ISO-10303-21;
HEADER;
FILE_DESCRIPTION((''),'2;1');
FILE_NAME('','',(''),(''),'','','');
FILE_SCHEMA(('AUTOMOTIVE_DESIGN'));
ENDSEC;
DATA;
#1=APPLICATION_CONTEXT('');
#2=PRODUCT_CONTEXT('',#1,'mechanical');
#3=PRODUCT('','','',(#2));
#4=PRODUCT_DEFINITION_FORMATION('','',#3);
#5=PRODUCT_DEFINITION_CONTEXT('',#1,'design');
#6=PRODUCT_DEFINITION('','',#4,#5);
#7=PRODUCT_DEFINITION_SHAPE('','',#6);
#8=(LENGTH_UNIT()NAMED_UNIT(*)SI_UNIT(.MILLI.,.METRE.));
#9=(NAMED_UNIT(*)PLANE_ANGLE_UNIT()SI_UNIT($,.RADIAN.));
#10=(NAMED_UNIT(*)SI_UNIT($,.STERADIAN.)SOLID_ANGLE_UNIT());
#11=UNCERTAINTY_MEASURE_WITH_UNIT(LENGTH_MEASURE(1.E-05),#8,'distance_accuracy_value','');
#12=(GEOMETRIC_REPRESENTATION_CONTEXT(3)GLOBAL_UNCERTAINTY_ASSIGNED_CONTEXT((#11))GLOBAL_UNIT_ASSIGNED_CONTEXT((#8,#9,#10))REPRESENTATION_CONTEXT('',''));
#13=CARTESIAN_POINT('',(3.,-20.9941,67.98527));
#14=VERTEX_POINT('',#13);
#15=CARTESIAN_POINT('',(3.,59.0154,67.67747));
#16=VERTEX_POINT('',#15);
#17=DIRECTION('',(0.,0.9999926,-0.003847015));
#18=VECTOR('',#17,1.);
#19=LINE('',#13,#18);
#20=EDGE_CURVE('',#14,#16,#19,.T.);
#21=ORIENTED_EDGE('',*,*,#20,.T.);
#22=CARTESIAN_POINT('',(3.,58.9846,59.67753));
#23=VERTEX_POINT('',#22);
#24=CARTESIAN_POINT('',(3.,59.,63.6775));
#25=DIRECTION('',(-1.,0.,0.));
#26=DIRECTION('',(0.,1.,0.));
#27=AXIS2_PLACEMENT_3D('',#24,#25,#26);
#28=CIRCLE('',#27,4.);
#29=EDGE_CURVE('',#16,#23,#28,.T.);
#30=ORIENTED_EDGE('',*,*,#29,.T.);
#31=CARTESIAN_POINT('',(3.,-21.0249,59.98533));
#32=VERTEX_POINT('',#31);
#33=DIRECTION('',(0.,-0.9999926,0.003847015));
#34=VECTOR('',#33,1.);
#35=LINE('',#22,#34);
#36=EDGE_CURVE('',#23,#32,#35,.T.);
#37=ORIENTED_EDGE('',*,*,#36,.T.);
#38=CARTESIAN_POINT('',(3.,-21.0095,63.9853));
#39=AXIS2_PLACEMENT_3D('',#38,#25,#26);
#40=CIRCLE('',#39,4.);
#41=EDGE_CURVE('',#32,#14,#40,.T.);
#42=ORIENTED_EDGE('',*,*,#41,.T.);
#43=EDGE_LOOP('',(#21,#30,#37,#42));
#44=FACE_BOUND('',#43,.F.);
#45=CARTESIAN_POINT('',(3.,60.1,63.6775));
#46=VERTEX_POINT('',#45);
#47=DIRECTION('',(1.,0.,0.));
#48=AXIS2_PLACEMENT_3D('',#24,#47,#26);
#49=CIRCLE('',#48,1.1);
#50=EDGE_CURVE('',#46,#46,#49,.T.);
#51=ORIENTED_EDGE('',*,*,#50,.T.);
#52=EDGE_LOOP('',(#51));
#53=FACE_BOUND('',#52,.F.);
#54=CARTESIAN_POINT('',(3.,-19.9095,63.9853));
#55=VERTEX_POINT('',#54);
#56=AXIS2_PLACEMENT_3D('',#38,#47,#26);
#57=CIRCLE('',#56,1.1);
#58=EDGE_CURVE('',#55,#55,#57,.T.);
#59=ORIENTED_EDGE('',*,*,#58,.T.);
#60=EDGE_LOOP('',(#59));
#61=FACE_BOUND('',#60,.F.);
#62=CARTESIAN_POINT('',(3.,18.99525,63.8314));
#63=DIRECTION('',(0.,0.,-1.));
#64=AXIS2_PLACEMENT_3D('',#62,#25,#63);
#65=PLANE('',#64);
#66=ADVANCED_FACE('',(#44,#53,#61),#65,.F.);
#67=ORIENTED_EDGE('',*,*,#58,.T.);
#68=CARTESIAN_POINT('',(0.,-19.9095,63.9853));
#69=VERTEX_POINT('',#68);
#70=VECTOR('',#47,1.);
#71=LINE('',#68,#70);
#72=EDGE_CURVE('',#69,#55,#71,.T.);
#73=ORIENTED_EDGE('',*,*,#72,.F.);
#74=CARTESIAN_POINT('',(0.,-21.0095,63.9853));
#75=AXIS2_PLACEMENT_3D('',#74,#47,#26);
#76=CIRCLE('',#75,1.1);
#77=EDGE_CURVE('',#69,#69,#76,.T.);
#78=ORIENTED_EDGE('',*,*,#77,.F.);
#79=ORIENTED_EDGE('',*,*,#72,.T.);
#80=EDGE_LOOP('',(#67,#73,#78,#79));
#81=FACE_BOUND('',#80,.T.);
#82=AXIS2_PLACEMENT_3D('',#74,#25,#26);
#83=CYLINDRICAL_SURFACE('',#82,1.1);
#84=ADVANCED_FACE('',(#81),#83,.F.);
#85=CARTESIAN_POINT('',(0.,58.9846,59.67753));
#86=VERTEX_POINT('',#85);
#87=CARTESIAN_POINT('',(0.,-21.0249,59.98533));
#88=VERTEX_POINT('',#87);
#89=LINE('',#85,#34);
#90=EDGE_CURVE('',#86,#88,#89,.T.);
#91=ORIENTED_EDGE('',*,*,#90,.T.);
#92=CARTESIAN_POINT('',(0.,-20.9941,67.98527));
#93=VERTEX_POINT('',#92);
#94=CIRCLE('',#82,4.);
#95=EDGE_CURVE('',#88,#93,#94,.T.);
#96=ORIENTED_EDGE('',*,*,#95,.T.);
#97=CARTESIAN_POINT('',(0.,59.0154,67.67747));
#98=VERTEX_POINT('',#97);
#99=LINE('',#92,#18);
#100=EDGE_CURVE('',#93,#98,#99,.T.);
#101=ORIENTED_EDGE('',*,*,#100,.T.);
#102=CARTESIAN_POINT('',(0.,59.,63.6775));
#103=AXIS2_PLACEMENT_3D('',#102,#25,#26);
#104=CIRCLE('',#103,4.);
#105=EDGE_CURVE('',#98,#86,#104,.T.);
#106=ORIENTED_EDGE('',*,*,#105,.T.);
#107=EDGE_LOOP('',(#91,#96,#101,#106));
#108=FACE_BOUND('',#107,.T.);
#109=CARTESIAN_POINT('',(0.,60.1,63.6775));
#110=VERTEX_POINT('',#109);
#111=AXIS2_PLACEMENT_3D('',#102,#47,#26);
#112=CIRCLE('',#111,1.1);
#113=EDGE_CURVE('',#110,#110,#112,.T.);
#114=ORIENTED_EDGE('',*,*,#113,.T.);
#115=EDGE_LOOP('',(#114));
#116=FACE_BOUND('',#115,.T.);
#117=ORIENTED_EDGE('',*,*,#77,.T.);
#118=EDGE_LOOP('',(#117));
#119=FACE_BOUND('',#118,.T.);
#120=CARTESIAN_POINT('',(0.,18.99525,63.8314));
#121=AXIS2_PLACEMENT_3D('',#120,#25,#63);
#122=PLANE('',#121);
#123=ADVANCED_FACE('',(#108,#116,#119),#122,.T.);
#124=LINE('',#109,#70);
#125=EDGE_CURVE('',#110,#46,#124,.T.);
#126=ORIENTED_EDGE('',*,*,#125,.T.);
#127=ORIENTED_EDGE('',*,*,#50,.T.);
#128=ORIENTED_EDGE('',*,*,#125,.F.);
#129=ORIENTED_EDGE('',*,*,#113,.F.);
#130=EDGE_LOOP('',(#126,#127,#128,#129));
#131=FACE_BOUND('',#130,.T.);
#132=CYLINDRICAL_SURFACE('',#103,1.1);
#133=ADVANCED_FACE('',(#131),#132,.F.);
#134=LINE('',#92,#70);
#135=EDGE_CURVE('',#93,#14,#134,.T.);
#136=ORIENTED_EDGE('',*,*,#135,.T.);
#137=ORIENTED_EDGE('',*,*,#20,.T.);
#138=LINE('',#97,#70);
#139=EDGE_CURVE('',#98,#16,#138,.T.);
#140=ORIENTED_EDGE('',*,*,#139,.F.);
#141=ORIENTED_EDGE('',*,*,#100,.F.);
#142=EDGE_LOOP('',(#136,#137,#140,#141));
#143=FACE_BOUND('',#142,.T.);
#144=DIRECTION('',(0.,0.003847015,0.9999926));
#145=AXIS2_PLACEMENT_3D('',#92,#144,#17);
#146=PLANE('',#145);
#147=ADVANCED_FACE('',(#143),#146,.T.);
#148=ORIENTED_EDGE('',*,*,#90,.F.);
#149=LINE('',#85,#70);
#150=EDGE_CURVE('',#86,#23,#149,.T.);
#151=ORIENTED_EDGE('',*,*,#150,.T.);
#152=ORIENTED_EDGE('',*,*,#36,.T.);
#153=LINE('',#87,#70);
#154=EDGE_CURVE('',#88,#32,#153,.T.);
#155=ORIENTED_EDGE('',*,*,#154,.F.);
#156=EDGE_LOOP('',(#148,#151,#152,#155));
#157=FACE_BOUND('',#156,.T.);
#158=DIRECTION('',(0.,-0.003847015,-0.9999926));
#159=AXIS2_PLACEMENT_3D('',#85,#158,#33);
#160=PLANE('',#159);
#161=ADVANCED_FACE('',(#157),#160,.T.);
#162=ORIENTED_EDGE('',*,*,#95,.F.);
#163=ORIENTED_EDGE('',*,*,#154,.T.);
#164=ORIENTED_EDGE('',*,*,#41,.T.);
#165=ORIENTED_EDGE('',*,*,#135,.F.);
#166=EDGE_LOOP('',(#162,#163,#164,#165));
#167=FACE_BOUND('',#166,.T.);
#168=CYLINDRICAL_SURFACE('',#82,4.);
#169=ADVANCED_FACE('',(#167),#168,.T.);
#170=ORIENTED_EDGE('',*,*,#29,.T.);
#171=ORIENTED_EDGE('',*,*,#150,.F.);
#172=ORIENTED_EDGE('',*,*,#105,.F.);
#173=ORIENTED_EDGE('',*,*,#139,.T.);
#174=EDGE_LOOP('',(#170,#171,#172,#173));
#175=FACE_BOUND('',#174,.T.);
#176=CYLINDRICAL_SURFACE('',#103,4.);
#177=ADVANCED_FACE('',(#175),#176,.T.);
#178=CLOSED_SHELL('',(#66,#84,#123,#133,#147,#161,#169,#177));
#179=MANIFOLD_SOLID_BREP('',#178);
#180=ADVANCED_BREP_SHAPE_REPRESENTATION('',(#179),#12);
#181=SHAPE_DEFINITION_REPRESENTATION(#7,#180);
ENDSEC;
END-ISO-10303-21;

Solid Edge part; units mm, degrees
sketch "Sketch1" plane through (0, 0, 0) normal (1, 0, 0) x (0, 1, 0)
  line L0 (58.9846, 59.6775) -> (-21.0249, 59.9853)
  line L1 (-20.9941, 67.9853) -> (59.0154, 67.6774)
  arc A0 (-21.0249, 59.9853) -> (-20.9941, 67.9853) centre (-21.0095, 63.9853) cw
  arc A1 (59.0154, 67.6775) -> (58.9846, 59.6775) centre (59, 63.6775) cw
  circle A2 centre (-21.0095, 63.9853) radius 1.1
  circle A3 centre (59, 63.6775) radius 1.1
extrude "Protrusion1" add sketch "Sketch1" along normal blind 3
